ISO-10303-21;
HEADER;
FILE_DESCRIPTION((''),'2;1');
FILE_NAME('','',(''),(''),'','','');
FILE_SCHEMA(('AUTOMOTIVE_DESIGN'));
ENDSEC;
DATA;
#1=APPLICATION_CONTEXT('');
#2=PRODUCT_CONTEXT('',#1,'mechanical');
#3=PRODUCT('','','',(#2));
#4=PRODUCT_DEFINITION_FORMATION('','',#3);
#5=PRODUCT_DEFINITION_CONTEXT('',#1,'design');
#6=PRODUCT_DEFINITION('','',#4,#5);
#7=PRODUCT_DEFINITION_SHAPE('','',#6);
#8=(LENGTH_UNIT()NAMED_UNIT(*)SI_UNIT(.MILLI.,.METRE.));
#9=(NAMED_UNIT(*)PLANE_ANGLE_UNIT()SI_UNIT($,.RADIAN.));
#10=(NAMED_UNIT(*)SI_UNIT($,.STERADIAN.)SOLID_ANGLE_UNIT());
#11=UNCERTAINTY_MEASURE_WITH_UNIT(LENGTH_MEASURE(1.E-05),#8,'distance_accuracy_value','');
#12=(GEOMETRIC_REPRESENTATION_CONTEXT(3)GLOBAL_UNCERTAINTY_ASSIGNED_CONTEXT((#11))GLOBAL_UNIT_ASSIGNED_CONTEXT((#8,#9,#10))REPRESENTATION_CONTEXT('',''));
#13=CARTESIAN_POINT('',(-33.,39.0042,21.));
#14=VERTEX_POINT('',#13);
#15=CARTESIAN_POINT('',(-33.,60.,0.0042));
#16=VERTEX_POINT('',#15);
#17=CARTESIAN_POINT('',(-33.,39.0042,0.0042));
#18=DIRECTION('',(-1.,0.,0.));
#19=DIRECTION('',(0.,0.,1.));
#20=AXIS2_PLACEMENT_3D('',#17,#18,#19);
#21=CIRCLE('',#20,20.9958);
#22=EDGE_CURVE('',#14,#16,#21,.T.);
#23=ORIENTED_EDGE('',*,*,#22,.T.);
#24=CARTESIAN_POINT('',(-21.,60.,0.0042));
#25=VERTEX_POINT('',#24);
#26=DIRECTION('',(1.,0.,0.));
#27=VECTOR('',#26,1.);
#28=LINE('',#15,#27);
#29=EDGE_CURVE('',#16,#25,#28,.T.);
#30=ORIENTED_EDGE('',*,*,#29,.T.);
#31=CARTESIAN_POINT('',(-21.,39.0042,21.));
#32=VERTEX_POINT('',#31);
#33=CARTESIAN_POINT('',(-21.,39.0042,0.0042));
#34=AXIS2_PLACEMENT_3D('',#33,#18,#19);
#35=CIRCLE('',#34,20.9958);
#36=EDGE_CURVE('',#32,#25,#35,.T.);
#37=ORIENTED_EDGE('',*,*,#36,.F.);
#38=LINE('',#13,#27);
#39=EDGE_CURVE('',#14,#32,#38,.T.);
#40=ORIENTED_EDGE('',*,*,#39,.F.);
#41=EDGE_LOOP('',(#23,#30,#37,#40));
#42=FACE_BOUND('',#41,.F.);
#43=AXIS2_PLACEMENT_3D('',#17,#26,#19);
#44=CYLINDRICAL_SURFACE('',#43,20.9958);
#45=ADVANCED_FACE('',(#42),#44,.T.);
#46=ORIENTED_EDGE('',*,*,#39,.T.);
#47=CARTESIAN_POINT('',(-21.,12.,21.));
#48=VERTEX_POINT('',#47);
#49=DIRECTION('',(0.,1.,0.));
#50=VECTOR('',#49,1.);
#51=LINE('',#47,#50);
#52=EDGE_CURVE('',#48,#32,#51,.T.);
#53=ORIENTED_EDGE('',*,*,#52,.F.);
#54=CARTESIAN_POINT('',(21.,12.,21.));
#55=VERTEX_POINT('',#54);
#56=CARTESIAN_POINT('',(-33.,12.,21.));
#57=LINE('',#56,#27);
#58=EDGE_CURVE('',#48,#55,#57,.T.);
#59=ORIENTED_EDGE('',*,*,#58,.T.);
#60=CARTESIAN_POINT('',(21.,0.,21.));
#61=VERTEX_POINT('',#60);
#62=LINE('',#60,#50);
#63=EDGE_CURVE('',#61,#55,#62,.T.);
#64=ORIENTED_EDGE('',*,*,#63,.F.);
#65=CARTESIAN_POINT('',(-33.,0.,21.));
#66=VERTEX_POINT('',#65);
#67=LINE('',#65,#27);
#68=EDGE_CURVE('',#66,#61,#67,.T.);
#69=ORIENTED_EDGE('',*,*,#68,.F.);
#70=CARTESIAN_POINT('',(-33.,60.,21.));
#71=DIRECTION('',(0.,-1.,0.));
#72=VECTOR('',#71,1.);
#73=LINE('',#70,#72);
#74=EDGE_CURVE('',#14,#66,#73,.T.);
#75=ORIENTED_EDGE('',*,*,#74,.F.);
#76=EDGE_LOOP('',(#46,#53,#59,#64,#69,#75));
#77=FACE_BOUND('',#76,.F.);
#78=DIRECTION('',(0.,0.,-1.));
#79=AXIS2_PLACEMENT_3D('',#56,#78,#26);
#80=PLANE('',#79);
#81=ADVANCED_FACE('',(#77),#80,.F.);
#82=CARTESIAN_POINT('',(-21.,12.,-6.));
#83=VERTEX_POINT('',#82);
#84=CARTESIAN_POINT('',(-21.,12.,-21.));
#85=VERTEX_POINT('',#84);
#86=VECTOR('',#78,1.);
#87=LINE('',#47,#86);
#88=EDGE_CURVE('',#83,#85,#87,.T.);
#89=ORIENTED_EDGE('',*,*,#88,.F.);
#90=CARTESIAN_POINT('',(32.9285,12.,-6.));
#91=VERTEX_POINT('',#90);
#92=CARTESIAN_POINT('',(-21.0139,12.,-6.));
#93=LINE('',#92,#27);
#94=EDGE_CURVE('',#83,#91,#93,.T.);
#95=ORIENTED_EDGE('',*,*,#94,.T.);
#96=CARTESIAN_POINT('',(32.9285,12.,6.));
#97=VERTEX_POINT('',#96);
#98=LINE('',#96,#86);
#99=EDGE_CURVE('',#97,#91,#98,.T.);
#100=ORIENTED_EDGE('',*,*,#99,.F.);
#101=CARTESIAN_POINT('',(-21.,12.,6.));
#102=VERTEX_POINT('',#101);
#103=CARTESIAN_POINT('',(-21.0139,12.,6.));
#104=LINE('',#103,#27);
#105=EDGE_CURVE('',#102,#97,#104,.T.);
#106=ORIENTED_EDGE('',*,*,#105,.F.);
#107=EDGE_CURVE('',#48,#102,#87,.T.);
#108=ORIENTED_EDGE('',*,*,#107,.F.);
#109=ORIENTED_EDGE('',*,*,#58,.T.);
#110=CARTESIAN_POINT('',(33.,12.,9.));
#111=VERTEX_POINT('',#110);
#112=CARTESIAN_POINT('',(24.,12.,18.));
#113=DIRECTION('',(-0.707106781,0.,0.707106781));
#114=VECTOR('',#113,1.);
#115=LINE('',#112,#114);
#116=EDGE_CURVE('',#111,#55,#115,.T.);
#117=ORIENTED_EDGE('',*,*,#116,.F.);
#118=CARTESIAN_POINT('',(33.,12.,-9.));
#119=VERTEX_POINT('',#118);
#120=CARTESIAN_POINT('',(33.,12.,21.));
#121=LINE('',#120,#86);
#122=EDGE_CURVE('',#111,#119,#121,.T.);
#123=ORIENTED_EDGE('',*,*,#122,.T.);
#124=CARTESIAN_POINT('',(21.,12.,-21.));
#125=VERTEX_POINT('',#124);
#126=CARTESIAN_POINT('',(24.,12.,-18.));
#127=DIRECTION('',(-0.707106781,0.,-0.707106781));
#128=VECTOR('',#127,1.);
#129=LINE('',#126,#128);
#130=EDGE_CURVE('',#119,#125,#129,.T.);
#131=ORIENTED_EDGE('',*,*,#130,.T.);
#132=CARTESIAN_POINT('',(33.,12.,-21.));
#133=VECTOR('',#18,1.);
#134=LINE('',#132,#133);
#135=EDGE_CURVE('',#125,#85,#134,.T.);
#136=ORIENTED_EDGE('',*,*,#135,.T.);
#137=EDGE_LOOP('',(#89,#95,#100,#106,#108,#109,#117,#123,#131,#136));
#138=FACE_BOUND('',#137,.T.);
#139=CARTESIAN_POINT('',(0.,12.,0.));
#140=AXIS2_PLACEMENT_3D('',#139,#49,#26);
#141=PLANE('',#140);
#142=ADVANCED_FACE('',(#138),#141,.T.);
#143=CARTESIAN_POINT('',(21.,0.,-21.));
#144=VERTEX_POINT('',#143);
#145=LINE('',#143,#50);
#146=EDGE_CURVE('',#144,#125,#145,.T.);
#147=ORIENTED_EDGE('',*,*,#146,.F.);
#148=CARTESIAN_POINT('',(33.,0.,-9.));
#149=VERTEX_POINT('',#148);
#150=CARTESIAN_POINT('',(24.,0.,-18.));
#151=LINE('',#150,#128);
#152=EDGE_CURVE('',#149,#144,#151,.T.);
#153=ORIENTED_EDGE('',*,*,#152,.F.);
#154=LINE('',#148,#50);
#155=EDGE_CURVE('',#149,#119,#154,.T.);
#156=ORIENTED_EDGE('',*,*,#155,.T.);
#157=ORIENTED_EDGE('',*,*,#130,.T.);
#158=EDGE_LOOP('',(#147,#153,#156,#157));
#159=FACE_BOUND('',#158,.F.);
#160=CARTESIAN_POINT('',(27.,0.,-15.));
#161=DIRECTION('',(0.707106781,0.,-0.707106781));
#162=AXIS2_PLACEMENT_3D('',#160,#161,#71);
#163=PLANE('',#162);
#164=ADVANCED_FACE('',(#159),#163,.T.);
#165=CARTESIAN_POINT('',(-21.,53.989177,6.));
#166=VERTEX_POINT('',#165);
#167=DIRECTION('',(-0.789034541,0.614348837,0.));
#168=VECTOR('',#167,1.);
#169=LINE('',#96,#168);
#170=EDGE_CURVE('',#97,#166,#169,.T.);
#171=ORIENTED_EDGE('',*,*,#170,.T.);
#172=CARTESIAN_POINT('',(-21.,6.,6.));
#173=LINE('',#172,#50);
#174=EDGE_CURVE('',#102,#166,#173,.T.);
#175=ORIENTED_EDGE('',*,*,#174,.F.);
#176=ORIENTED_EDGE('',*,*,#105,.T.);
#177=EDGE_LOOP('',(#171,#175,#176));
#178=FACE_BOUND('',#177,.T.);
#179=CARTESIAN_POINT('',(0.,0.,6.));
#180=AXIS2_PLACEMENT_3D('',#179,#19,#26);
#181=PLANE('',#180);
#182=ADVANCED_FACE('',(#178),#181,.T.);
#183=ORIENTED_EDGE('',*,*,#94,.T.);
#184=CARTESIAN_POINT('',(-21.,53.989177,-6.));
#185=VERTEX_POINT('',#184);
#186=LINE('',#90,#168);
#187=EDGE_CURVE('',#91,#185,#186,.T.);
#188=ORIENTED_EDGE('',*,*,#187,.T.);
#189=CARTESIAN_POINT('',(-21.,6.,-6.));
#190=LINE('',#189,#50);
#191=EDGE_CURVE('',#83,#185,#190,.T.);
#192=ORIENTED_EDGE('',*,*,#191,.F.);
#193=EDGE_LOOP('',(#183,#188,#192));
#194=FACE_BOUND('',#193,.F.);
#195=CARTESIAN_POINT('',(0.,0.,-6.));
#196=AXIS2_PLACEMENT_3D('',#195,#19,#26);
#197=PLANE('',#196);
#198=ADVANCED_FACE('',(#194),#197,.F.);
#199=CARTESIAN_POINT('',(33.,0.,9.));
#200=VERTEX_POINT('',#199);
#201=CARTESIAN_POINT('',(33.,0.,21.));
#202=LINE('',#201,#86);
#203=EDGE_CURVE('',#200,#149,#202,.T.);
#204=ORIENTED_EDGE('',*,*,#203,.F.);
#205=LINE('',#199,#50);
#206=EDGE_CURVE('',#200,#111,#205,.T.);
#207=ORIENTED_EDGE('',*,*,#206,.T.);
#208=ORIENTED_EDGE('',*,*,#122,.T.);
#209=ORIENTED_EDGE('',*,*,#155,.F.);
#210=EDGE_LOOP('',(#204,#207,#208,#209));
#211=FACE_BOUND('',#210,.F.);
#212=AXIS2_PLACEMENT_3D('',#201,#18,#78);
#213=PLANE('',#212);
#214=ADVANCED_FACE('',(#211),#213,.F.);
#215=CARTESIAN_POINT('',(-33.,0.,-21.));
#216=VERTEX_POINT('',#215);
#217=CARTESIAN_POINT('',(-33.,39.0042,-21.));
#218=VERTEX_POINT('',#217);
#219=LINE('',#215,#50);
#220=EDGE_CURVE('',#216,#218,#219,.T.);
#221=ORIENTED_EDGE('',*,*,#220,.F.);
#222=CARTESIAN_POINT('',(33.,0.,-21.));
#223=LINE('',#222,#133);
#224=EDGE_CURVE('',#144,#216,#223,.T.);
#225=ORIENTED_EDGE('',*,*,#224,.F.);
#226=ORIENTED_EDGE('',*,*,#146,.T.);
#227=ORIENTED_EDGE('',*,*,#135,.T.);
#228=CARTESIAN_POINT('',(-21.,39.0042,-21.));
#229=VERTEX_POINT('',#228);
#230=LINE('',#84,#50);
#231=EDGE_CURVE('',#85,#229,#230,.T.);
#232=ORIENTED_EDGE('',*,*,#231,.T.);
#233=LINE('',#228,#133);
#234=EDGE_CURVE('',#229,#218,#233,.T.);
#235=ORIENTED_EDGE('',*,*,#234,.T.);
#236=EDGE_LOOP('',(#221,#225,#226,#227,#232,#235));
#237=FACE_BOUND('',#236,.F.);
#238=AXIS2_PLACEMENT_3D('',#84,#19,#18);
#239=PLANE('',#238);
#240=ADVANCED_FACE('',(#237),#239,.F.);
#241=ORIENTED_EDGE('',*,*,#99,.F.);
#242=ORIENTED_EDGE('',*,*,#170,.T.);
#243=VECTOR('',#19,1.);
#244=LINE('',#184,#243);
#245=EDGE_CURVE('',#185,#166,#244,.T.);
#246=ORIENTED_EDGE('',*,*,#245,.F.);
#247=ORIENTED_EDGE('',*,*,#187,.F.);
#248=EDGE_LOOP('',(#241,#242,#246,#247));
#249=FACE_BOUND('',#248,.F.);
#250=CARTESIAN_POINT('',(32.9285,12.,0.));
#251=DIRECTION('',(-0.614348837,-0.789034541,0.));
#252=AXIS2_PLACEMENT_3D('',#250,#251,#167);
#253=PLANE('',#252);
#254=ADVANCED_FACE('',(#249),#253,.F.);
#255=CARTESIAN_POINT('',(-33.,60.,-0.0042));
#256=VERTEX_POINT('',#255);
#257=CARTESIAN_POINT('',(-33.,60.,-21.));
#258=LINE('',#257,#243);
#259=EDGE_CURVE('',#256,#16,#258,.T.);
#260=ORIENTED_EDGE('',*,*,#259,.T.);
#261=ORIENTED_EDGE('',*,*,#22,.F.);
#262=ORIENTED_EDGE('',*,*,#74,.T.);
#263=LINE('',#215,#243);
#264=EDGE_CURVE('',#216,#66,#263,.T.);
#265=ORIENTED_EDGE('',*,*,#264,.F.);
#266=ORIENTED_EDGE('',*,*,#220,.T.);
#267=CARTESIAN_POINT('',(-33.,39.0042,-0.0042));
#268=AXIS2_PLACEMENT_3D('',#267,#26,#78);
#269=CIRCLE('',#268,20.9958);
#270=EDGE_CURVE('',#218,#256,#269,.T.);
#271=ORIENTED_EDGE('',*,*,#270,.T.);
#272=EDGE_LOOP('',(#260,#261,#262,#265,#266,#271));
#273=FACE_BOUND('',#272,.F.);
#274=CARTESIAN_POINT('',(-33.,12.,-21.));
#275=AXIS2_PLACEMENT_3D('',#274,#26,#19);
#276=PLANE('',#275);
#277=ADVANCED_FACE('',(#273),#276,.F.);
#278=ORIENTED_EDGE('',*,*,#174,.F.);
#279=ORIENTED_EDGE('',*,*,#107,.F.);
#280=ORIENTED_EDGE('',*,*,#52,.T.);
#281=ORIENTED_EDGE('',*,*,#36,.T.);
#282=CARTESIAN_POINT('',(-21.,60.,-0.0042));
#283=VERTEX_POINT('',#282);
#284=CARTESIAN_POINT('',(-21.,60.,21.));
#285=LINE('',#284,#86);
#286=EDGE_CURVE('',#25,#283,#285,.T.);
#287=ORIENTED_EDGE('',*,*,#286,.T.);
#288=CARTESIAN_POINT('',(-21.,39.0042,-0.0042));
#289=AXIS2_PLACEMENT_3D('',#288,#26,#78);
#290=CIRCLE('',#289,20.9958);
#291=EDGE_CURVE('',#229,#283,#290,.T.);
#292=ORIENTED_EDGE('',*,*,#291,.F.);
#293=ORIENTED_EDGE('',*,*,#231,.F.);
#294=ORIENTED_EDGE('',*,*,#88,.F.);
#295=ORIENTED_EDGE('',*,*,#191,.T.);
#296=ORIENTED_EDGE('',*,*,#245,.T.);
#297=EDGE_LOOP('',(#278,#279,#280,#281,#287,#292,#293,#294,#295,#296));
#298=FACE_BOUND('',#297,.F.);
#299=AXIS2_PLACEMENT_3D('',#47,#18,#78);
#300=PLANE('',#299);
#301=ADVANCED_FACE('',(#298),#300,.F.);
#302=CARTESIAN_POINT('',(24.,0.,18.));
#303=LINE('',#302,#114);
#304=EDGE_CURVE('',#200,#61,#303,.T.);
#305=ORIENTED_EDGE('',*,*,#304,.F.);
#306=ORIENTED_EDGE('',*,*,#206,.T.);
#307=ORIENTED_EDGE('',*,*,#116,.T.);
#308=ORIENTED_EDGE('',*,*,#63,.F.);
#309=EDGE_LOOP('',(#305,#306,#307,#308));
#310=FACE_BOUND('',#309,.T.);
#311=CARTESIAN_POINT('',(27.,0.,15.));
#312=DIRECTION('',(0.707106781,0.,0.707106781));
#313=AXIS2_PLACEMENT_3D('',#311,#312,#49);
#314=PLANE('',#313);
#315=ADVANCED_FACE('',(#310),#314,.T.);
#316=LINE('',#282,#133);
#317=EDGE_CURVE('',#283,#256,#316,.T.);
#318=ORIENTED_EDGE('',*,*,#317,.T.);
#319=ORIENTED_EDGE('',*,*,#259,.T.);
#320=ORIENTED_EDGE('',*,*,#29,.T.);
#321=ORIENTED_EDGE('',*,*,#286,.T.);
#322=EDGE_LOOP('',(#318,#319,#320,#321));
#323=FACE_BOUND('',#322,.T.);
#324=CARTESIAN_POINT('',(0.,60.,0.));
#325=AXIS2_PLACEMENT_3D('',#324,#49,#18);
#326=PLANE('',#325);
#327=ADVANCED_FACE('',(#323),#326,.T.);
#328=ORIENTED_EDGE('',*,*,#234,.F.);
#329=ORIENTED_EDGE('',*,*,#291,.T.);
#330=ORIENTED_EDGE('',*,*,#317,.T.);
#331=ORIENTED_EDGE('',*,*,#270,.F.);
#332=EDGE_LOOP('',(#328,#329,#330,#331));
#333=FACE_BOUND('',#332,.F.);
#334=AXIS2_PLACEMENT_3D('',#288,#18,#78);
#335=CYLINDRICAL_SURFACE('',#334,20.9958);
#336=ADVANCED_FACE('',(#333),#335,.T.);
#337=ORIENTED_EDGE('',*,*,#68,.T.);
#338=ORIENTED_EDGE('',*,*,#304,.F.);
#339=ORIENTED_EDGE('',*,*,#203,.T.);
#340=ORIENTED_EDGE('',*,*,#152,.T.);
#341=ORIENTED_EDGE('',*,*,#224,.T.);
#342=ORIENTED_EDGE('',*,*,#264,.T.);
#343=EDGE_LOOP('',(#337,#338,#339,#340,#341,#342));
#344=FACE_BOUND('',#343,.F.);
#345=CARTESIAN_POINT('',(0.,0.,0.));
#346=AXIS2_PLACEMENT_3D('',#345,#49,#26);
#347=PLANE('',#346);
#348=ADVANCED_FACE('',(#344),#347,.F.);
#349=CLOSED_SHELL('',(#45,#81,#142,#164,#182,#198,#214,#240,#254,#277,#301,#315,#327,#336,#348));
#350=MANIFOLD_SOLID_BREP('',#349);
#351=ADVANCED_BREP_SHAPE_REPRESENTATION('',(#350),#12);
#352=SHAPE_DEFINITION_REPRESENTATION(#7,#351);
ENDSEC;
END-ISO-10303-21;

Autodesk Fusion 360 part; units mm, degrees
sketch "Sketch1" plane through (0, 0, 0) normal (0, 1, 0) x (1, 0, 0)
  line L0 (33, 21) -> (-33, 21)
  line L1 (-33, 21) -> (-33, -21)
  line L2 (-33, -21) -> (33, -21)
  line L3 (33, -21) -> (33, 21)
  line L4 (33, 21) -> (-33, -21) construction
  line L5 (-33, 21) -> (33, -21) construction
  dimension "d1" = 66
extrude "Extrude1" add sketch "Sketch1" along normal blind 12
chamfer "Chamfer1" distance 12 angle 45 2 edges at (33, 6, 21) (33, 6, -21)
sketch "Sketch2" plane through (0, 12, 0) normal (0, 1, 0) x (-1, 0, 0)
  line L0 (-33, -9) -> (-21, -21)
  line L1 (-21, -21) -> (33, -21)
  line L2 (33, -21) -> (33, 21)
  line L3 (33, 21) -> (-21, 21)
  line L4 (-21, 21) -> (-33, 9)
  line L5 (-33, 9) -> (-33, -9)
  line L6 (33, 21) -> (21, 21)
  line L7 (21, 21) -> (21, -21)
  line L8 (21, -21) -> (33, -21)
  line L9 (33, -21) -> (33, 21)
  dimension "d6" = 12
extrude "Extrude2" add sketch "Sketch2" along normal blind 48 contours L1 L2 L3 L6 L7 L8 L9
fillet "Fillet1" radius 21 2 edges at (-27, 60, 21) (-27, 60, -21)
sketch "Sketch3" plane through (0, 0, 0) normal (0, 1, 0) x (1, 0, 0)
sketch "Sketch4" plane through (0, 0, 0) normal (0, 0, 1) x (1, 0, 0)
  line L0 (-21.0139, 54) -> (-21.0139, 12)
  line L1 (-21.0139, 12) -> (32.9285, 12)
  line L2 (32.9285, 12) -> (-21.0139, 54)
  dimension "d11" = 42
extrude "Extrude3" add sketch "Sketch4" along normal blind 6
extrude "Extrude4" add 1 faces at (-3.0238, 25.9964, 0) along direction (0, 0, -1) mid plane 12
sketch "Sketch5" plane through (0, 0, 0) normal (1, 0, 0) x (0, 0, -1)
equation "d7 = 60 mm - 12 mm"
